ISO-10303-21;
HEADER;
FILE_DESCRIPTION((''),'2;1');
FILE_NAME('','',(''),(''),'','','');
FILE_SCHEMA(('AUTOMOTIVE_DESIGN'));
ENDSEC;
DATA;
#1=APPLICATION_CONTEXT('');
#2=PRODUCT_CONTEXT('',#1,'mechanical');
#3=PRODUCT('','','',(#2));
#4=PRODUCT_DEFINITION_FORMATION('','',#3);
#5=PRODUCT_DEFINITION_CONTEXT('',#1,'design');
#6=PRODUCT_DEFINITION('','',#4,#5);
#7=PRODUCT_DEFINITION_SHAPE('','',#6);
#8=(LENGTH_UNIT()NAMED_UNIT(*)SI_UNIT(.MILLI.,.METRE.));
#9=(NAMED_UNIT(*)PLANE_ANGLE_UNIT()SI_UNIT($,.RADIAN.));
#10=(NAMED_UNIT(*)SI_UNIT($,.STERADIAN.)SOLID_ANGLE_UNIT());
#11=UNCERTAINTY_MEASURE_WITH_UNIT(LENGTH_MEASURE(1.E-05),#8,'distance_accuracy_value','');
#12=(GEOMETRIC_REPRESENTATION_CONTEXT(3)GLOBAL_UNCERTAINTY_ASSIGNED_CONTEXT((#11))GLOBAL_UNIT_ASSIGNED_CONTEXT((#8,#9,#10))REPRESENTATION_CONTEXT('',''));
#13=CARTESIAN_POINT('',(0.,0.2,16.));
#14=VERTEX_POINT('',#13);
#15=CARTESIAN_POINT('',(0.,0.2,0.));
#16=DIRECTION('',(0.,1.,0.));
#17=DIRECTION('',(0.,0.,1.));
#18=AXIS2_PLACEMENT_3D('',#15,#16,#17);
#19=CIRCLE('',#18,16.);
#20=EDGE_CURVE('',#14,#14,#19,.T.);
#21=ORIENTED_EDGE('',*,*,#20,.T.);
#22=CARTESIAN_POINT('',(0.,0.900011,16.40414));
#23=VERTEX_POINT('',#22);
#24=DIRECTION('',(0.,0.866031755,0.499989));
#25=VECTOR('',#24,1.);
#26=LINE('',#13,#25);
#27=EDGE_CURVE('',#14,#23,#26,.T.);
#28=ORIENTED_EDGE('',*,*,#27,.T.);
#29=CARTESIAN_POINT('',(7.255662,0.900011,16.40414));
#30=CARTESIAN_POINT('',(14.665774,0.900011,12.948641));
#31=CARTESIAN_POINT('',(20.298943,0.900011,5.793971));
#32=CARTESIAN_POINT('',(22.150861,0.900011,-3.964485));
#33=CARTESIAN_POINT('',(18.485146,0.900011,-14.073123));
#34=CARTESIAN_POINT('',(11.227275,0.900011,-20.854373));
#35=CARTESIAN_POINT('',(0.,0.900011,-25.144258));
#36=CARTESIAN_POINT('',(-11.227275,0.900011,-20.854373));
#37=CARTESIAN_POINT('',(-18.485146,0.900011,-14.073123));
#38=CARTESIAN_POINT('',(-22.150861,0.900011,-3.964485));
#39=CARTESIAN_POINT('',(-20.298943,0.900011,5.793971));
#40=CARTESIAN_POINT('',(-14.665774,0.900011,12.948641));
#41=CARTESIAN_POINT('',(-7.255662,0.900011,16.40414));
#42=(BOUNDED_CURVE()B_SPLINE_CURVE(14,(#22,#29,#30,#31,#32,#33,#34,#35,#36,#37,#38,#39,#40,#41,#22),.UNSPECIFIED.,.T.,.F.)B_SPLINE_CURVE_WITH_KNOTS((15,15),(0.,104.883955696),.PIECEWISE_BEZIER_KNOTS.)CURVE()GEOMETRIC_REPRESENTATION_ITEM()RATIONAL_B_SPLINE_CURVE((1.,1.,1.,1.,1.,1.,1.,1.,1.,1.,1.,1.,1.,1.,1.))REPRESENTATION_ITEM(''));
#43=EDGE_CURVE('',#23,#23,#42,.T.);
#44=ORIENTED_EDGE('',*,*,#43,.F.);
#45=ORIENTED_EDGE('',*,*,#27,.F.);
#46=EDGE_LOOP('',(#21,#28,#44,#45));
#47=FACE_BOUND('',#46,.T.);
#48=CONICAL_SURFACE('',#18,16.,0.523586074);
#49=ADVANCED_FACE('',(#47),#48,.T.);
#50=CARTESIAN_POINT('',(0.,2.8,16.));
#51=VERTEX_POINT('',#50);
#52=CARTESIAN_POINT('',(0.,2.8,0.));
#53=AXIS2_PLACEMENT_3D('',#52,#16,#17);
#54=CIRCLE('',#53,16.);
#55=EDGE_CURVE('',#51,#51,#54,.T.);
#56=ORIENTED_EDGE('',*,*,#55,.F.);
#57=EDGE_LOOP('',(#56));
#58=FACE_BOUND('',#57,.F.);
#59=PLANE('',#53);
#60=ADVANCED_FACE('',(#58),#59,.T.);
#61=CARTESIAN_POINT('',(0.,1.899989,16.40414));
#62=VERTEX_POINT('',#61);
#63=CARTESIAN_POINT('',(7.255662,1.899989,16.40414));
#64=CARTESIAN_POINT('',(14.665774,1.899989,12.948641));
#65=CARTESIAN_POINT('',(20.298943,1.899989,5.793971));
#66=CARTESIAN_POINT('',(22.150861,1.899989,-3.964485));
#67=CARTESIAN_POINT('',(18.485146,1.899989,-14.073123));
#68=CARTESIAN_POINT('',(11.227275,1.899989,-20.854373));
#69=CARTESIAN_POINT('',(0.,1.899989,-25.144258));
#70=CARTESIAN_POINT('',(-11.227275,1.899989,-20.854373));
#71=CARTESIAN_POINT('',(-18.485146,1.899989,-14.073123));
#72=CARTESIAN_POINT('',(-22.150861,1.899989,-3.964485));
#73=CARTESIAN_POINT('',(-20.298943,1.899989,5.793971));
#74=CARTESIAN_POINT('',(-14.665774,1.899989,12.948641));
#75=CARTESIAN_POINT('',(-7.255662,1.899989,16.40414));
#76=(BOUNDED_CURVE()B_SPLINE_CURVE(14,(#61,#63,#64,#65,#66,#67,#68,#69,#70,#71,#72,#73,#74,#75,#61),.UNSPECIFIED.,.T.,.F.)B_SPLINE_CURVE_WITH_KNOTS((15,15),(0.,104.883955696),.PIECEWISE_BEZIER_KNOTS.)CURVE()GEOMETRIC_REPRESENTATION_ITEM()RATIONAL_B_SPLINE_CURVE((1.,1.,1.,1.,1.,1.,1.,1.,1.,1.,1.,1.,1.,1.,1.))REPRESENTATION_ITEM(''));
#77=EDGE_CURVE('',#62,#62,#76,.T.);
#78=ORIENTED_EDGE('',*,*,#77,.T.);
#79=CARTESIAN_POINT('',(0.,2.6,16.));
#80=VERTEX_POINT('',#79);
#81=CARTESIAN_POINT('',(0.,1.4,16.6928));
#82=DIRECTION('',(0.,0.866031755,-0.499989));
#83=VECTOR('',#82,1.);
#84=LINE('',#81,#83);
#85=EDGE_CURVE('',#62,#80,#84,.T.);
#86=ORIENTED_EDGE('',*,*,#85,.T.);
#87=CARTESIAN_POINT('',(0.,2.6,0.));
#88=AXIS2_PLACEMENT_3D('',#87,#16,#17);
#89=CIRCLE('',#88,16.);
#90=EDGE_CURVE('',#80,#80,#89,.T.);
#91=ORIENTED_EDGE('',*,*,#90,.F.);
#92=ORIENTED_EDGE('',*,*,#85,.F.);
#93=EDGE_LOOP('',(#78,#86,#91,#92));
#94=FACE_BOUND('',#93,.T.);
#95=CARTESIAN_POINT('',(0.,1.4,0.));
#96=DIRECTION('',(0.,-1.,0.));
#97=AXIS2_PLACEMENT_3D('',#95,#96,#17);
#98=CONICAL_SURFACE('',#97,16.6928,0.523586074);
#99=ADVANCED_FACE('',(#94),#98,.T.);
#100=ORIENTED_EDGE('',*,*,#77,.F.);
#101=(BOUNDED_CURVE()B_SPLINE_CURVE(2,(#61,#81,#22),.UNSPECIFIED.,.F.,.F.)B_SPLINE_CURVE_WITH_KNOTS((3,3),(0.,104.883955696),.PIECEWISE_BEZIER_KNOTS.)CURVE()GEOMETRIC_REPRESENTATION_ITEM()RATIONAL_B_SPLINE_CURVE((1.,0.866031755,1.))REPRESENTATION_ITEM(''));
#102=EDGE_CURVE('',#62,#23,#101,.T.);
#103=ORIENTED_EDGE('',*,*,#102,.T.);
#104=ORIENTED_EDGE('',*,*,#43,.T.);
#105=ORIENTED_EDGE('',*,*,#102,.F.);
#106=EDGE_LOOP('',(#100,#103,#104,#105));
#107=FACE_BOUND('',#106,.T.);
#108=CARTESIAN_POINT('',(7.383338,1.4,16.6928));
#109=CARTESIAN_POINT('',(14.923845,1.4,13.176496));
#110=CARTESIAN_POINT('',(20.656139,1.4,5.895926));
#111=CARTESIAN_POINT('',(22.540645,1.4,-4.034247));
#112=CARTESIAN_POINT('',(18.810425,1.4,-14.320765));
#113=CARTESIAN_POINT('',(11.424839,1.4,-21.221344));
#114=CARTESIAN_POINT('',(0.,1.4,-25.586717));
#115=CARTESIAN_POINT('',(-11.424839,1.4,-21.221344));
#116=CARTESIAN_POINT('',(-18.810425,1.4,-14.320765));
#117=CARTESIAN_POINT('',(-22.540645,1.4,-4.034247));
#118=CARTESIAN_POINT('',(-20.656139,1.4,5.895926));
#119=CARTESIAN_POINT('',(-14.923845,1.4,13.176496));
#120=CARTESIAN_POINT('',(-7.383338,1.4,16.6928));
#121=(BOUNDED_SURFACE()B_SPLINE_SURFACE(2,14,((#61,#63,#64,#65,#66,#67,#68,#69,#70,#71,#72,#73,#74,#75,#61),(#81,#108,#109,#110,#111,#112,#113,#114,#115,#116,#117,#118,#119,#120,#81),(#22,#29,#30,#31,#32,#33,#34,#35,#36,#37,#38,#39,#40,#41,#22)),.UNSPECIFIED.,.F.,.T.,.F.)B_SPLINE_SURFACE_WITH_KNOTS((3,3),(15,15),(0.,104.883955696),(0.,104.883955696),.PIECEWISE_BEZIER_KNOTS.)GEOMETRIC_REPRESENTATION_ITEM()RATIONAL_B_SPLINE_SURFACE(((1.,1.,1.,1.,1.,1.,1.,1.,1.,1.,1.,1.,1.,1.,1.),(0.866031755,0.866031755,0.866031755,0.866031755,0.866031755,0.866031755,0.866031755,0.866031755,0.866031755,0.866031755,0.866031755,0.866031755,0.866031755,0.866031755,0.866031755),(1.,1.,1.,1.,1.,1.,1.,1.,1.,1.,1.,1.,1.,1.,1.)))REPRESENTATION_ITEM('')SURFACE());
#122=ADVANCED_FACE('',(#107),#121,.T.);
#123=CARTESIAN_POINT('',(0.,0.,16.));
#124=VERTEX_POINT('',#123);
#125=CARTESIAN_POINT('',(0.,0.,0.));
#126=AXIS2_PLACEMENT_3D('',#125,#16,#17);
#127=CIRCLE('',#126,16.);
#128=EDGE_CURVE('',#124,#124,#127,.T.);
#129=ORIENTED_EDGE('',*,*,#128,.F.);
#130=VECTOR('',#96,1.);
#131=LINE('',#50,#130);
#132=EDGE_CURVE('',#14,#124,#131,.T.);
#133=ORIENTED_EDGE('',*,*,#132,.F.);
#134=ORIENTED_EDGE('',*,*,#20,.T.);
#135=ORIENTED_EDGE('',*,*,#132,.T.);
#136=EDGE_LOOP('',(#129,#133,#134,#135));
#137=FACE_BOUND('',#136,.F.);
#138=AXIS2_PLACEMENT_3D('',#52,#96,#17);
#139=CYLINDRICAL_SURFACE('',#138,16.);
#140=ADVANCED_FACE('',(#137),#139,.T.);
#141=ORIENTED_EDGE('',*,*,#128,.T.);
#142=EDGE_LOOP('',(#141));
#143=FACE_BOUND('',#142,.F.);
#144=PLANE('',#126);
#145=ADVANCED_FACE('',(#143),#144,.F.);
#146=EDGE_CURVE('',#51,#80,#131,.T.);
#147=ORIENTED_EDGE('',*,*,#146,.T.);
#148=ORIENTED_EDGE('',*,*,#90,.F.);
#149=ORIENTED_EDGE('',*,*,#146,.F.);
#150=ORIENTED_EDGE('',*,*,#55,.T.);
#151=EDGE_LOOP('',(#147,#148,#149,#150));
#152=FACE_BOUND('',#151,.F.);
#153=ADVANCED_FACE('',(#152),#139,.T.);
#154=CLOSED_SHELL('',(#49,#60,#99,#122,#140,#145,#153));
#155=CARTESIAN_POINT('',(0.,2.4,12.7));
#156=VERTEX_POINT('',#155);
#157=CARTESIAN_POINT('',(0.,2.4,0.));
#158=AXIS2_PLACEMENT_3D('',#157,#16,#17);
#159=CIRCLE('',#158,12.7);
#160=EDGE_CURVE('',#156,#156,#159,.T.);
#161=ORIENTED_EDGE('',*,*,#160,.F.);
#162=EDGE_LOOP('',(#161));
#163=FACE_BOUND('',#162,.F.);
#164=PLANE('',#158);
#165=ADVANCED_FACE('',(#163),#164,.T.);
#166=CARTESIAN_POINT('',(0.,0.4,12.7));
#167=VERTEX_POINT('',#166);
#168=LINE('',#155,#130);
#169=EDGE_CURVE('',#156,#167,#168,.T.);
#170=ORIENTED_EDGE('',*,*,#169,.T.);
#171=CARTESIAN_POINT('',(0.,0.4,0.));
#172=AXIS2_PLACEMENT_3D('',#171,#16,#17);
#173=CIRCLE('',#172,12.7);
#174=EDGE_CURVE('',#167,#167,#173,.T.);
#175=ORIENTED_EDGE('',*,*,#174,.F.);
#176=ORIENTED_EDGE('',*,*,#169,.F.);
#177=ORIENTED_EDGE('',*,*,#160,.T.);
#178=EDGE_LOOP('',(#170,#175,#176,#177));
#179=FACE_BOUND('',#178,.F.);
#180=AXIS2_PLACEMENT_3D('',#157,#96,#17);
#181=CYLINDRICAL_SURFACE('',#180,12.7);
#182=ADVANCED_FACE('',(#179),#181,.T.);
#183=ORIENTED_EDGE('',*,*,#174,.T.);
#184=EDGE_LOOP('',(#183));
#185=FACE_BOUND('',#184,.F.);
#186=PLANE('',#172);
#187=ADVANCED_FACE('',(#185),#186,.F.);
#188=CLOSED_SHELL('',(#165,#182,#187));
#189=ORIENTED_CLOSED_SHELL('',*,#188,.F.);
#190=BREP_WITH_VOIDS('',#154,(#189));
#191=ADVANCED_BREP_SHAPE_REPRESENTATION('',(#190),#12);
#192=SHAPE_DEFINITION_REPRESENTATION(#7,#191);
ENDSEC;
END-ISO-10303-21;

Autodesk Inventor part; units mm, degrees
ref_plane "YZ Plane" through (0, 0, 0) normal (1, 0, 0) x (0, 1, 0)
ref_plane "XZ Plane" through (0, 0, 0) normal (0, 1, 0) x (-1, 0, 0)
ref_plane "XY Plane" through (0, 0, 0) normal (0, 0, 1) x (1, 0, 0)
sketch "Sketch1" plane through (0, 0, 0) normal (1, 0, 0) x (0, 1, 0)
  line L0 (2.8, 16) -> (0, 16)
  line L1 (0, 16) -> (0, -16)
  line L2 (0, -16) -> (2.8, -16)
  line L3 (2.8, -16) -> (2.8, 16)
  line L4 (2.4, 12.7) -> (0.4, 12.7)
  line L5 (0.4, 12.7) -> (0.4, -12.7)
  line L6 (0.4, -12.7) -> (2.4, -12.7)
  line L7 (2.4, -12.7) -> (2.4, 12.7)
  line L8 (0, 0) -> (2.8, 0)
  line L9 (0.2, 16) -> (1.4, 16.6928)
  line L10 (1.4, 16.6928) -> (2.6, 16)
  line L11 (1.4, 16.6928) -> (1.4, 12.7) construction
  point P0 (0.4, 0)
  point P1 (2.4, 0)
  dimension "d0" = 0.4
  dimension "d1" = 0.4
  dimension "d2" = 2
  dimension "d4" = 32
  dimension "d5" = 25.4
  dimension "d6" = 240
  dimension "d8" = 0.2
  dimension "d14" = 0.2
revolve "Revolution1" add sketch "Sketch1" angle 360 about axis through (0, 0, 0) along (0, 1, 0) contours L3 L8 L7 L4 L5 L1 L0 | L0 L9 L10
chamfer "Chamfer1" [suppressed]
fillet "Fillet1" radius 1 1 edges at (0, 1.4, -16.6928)
equation "\"d14\" = d8"
properties part number "Game-Piece"
